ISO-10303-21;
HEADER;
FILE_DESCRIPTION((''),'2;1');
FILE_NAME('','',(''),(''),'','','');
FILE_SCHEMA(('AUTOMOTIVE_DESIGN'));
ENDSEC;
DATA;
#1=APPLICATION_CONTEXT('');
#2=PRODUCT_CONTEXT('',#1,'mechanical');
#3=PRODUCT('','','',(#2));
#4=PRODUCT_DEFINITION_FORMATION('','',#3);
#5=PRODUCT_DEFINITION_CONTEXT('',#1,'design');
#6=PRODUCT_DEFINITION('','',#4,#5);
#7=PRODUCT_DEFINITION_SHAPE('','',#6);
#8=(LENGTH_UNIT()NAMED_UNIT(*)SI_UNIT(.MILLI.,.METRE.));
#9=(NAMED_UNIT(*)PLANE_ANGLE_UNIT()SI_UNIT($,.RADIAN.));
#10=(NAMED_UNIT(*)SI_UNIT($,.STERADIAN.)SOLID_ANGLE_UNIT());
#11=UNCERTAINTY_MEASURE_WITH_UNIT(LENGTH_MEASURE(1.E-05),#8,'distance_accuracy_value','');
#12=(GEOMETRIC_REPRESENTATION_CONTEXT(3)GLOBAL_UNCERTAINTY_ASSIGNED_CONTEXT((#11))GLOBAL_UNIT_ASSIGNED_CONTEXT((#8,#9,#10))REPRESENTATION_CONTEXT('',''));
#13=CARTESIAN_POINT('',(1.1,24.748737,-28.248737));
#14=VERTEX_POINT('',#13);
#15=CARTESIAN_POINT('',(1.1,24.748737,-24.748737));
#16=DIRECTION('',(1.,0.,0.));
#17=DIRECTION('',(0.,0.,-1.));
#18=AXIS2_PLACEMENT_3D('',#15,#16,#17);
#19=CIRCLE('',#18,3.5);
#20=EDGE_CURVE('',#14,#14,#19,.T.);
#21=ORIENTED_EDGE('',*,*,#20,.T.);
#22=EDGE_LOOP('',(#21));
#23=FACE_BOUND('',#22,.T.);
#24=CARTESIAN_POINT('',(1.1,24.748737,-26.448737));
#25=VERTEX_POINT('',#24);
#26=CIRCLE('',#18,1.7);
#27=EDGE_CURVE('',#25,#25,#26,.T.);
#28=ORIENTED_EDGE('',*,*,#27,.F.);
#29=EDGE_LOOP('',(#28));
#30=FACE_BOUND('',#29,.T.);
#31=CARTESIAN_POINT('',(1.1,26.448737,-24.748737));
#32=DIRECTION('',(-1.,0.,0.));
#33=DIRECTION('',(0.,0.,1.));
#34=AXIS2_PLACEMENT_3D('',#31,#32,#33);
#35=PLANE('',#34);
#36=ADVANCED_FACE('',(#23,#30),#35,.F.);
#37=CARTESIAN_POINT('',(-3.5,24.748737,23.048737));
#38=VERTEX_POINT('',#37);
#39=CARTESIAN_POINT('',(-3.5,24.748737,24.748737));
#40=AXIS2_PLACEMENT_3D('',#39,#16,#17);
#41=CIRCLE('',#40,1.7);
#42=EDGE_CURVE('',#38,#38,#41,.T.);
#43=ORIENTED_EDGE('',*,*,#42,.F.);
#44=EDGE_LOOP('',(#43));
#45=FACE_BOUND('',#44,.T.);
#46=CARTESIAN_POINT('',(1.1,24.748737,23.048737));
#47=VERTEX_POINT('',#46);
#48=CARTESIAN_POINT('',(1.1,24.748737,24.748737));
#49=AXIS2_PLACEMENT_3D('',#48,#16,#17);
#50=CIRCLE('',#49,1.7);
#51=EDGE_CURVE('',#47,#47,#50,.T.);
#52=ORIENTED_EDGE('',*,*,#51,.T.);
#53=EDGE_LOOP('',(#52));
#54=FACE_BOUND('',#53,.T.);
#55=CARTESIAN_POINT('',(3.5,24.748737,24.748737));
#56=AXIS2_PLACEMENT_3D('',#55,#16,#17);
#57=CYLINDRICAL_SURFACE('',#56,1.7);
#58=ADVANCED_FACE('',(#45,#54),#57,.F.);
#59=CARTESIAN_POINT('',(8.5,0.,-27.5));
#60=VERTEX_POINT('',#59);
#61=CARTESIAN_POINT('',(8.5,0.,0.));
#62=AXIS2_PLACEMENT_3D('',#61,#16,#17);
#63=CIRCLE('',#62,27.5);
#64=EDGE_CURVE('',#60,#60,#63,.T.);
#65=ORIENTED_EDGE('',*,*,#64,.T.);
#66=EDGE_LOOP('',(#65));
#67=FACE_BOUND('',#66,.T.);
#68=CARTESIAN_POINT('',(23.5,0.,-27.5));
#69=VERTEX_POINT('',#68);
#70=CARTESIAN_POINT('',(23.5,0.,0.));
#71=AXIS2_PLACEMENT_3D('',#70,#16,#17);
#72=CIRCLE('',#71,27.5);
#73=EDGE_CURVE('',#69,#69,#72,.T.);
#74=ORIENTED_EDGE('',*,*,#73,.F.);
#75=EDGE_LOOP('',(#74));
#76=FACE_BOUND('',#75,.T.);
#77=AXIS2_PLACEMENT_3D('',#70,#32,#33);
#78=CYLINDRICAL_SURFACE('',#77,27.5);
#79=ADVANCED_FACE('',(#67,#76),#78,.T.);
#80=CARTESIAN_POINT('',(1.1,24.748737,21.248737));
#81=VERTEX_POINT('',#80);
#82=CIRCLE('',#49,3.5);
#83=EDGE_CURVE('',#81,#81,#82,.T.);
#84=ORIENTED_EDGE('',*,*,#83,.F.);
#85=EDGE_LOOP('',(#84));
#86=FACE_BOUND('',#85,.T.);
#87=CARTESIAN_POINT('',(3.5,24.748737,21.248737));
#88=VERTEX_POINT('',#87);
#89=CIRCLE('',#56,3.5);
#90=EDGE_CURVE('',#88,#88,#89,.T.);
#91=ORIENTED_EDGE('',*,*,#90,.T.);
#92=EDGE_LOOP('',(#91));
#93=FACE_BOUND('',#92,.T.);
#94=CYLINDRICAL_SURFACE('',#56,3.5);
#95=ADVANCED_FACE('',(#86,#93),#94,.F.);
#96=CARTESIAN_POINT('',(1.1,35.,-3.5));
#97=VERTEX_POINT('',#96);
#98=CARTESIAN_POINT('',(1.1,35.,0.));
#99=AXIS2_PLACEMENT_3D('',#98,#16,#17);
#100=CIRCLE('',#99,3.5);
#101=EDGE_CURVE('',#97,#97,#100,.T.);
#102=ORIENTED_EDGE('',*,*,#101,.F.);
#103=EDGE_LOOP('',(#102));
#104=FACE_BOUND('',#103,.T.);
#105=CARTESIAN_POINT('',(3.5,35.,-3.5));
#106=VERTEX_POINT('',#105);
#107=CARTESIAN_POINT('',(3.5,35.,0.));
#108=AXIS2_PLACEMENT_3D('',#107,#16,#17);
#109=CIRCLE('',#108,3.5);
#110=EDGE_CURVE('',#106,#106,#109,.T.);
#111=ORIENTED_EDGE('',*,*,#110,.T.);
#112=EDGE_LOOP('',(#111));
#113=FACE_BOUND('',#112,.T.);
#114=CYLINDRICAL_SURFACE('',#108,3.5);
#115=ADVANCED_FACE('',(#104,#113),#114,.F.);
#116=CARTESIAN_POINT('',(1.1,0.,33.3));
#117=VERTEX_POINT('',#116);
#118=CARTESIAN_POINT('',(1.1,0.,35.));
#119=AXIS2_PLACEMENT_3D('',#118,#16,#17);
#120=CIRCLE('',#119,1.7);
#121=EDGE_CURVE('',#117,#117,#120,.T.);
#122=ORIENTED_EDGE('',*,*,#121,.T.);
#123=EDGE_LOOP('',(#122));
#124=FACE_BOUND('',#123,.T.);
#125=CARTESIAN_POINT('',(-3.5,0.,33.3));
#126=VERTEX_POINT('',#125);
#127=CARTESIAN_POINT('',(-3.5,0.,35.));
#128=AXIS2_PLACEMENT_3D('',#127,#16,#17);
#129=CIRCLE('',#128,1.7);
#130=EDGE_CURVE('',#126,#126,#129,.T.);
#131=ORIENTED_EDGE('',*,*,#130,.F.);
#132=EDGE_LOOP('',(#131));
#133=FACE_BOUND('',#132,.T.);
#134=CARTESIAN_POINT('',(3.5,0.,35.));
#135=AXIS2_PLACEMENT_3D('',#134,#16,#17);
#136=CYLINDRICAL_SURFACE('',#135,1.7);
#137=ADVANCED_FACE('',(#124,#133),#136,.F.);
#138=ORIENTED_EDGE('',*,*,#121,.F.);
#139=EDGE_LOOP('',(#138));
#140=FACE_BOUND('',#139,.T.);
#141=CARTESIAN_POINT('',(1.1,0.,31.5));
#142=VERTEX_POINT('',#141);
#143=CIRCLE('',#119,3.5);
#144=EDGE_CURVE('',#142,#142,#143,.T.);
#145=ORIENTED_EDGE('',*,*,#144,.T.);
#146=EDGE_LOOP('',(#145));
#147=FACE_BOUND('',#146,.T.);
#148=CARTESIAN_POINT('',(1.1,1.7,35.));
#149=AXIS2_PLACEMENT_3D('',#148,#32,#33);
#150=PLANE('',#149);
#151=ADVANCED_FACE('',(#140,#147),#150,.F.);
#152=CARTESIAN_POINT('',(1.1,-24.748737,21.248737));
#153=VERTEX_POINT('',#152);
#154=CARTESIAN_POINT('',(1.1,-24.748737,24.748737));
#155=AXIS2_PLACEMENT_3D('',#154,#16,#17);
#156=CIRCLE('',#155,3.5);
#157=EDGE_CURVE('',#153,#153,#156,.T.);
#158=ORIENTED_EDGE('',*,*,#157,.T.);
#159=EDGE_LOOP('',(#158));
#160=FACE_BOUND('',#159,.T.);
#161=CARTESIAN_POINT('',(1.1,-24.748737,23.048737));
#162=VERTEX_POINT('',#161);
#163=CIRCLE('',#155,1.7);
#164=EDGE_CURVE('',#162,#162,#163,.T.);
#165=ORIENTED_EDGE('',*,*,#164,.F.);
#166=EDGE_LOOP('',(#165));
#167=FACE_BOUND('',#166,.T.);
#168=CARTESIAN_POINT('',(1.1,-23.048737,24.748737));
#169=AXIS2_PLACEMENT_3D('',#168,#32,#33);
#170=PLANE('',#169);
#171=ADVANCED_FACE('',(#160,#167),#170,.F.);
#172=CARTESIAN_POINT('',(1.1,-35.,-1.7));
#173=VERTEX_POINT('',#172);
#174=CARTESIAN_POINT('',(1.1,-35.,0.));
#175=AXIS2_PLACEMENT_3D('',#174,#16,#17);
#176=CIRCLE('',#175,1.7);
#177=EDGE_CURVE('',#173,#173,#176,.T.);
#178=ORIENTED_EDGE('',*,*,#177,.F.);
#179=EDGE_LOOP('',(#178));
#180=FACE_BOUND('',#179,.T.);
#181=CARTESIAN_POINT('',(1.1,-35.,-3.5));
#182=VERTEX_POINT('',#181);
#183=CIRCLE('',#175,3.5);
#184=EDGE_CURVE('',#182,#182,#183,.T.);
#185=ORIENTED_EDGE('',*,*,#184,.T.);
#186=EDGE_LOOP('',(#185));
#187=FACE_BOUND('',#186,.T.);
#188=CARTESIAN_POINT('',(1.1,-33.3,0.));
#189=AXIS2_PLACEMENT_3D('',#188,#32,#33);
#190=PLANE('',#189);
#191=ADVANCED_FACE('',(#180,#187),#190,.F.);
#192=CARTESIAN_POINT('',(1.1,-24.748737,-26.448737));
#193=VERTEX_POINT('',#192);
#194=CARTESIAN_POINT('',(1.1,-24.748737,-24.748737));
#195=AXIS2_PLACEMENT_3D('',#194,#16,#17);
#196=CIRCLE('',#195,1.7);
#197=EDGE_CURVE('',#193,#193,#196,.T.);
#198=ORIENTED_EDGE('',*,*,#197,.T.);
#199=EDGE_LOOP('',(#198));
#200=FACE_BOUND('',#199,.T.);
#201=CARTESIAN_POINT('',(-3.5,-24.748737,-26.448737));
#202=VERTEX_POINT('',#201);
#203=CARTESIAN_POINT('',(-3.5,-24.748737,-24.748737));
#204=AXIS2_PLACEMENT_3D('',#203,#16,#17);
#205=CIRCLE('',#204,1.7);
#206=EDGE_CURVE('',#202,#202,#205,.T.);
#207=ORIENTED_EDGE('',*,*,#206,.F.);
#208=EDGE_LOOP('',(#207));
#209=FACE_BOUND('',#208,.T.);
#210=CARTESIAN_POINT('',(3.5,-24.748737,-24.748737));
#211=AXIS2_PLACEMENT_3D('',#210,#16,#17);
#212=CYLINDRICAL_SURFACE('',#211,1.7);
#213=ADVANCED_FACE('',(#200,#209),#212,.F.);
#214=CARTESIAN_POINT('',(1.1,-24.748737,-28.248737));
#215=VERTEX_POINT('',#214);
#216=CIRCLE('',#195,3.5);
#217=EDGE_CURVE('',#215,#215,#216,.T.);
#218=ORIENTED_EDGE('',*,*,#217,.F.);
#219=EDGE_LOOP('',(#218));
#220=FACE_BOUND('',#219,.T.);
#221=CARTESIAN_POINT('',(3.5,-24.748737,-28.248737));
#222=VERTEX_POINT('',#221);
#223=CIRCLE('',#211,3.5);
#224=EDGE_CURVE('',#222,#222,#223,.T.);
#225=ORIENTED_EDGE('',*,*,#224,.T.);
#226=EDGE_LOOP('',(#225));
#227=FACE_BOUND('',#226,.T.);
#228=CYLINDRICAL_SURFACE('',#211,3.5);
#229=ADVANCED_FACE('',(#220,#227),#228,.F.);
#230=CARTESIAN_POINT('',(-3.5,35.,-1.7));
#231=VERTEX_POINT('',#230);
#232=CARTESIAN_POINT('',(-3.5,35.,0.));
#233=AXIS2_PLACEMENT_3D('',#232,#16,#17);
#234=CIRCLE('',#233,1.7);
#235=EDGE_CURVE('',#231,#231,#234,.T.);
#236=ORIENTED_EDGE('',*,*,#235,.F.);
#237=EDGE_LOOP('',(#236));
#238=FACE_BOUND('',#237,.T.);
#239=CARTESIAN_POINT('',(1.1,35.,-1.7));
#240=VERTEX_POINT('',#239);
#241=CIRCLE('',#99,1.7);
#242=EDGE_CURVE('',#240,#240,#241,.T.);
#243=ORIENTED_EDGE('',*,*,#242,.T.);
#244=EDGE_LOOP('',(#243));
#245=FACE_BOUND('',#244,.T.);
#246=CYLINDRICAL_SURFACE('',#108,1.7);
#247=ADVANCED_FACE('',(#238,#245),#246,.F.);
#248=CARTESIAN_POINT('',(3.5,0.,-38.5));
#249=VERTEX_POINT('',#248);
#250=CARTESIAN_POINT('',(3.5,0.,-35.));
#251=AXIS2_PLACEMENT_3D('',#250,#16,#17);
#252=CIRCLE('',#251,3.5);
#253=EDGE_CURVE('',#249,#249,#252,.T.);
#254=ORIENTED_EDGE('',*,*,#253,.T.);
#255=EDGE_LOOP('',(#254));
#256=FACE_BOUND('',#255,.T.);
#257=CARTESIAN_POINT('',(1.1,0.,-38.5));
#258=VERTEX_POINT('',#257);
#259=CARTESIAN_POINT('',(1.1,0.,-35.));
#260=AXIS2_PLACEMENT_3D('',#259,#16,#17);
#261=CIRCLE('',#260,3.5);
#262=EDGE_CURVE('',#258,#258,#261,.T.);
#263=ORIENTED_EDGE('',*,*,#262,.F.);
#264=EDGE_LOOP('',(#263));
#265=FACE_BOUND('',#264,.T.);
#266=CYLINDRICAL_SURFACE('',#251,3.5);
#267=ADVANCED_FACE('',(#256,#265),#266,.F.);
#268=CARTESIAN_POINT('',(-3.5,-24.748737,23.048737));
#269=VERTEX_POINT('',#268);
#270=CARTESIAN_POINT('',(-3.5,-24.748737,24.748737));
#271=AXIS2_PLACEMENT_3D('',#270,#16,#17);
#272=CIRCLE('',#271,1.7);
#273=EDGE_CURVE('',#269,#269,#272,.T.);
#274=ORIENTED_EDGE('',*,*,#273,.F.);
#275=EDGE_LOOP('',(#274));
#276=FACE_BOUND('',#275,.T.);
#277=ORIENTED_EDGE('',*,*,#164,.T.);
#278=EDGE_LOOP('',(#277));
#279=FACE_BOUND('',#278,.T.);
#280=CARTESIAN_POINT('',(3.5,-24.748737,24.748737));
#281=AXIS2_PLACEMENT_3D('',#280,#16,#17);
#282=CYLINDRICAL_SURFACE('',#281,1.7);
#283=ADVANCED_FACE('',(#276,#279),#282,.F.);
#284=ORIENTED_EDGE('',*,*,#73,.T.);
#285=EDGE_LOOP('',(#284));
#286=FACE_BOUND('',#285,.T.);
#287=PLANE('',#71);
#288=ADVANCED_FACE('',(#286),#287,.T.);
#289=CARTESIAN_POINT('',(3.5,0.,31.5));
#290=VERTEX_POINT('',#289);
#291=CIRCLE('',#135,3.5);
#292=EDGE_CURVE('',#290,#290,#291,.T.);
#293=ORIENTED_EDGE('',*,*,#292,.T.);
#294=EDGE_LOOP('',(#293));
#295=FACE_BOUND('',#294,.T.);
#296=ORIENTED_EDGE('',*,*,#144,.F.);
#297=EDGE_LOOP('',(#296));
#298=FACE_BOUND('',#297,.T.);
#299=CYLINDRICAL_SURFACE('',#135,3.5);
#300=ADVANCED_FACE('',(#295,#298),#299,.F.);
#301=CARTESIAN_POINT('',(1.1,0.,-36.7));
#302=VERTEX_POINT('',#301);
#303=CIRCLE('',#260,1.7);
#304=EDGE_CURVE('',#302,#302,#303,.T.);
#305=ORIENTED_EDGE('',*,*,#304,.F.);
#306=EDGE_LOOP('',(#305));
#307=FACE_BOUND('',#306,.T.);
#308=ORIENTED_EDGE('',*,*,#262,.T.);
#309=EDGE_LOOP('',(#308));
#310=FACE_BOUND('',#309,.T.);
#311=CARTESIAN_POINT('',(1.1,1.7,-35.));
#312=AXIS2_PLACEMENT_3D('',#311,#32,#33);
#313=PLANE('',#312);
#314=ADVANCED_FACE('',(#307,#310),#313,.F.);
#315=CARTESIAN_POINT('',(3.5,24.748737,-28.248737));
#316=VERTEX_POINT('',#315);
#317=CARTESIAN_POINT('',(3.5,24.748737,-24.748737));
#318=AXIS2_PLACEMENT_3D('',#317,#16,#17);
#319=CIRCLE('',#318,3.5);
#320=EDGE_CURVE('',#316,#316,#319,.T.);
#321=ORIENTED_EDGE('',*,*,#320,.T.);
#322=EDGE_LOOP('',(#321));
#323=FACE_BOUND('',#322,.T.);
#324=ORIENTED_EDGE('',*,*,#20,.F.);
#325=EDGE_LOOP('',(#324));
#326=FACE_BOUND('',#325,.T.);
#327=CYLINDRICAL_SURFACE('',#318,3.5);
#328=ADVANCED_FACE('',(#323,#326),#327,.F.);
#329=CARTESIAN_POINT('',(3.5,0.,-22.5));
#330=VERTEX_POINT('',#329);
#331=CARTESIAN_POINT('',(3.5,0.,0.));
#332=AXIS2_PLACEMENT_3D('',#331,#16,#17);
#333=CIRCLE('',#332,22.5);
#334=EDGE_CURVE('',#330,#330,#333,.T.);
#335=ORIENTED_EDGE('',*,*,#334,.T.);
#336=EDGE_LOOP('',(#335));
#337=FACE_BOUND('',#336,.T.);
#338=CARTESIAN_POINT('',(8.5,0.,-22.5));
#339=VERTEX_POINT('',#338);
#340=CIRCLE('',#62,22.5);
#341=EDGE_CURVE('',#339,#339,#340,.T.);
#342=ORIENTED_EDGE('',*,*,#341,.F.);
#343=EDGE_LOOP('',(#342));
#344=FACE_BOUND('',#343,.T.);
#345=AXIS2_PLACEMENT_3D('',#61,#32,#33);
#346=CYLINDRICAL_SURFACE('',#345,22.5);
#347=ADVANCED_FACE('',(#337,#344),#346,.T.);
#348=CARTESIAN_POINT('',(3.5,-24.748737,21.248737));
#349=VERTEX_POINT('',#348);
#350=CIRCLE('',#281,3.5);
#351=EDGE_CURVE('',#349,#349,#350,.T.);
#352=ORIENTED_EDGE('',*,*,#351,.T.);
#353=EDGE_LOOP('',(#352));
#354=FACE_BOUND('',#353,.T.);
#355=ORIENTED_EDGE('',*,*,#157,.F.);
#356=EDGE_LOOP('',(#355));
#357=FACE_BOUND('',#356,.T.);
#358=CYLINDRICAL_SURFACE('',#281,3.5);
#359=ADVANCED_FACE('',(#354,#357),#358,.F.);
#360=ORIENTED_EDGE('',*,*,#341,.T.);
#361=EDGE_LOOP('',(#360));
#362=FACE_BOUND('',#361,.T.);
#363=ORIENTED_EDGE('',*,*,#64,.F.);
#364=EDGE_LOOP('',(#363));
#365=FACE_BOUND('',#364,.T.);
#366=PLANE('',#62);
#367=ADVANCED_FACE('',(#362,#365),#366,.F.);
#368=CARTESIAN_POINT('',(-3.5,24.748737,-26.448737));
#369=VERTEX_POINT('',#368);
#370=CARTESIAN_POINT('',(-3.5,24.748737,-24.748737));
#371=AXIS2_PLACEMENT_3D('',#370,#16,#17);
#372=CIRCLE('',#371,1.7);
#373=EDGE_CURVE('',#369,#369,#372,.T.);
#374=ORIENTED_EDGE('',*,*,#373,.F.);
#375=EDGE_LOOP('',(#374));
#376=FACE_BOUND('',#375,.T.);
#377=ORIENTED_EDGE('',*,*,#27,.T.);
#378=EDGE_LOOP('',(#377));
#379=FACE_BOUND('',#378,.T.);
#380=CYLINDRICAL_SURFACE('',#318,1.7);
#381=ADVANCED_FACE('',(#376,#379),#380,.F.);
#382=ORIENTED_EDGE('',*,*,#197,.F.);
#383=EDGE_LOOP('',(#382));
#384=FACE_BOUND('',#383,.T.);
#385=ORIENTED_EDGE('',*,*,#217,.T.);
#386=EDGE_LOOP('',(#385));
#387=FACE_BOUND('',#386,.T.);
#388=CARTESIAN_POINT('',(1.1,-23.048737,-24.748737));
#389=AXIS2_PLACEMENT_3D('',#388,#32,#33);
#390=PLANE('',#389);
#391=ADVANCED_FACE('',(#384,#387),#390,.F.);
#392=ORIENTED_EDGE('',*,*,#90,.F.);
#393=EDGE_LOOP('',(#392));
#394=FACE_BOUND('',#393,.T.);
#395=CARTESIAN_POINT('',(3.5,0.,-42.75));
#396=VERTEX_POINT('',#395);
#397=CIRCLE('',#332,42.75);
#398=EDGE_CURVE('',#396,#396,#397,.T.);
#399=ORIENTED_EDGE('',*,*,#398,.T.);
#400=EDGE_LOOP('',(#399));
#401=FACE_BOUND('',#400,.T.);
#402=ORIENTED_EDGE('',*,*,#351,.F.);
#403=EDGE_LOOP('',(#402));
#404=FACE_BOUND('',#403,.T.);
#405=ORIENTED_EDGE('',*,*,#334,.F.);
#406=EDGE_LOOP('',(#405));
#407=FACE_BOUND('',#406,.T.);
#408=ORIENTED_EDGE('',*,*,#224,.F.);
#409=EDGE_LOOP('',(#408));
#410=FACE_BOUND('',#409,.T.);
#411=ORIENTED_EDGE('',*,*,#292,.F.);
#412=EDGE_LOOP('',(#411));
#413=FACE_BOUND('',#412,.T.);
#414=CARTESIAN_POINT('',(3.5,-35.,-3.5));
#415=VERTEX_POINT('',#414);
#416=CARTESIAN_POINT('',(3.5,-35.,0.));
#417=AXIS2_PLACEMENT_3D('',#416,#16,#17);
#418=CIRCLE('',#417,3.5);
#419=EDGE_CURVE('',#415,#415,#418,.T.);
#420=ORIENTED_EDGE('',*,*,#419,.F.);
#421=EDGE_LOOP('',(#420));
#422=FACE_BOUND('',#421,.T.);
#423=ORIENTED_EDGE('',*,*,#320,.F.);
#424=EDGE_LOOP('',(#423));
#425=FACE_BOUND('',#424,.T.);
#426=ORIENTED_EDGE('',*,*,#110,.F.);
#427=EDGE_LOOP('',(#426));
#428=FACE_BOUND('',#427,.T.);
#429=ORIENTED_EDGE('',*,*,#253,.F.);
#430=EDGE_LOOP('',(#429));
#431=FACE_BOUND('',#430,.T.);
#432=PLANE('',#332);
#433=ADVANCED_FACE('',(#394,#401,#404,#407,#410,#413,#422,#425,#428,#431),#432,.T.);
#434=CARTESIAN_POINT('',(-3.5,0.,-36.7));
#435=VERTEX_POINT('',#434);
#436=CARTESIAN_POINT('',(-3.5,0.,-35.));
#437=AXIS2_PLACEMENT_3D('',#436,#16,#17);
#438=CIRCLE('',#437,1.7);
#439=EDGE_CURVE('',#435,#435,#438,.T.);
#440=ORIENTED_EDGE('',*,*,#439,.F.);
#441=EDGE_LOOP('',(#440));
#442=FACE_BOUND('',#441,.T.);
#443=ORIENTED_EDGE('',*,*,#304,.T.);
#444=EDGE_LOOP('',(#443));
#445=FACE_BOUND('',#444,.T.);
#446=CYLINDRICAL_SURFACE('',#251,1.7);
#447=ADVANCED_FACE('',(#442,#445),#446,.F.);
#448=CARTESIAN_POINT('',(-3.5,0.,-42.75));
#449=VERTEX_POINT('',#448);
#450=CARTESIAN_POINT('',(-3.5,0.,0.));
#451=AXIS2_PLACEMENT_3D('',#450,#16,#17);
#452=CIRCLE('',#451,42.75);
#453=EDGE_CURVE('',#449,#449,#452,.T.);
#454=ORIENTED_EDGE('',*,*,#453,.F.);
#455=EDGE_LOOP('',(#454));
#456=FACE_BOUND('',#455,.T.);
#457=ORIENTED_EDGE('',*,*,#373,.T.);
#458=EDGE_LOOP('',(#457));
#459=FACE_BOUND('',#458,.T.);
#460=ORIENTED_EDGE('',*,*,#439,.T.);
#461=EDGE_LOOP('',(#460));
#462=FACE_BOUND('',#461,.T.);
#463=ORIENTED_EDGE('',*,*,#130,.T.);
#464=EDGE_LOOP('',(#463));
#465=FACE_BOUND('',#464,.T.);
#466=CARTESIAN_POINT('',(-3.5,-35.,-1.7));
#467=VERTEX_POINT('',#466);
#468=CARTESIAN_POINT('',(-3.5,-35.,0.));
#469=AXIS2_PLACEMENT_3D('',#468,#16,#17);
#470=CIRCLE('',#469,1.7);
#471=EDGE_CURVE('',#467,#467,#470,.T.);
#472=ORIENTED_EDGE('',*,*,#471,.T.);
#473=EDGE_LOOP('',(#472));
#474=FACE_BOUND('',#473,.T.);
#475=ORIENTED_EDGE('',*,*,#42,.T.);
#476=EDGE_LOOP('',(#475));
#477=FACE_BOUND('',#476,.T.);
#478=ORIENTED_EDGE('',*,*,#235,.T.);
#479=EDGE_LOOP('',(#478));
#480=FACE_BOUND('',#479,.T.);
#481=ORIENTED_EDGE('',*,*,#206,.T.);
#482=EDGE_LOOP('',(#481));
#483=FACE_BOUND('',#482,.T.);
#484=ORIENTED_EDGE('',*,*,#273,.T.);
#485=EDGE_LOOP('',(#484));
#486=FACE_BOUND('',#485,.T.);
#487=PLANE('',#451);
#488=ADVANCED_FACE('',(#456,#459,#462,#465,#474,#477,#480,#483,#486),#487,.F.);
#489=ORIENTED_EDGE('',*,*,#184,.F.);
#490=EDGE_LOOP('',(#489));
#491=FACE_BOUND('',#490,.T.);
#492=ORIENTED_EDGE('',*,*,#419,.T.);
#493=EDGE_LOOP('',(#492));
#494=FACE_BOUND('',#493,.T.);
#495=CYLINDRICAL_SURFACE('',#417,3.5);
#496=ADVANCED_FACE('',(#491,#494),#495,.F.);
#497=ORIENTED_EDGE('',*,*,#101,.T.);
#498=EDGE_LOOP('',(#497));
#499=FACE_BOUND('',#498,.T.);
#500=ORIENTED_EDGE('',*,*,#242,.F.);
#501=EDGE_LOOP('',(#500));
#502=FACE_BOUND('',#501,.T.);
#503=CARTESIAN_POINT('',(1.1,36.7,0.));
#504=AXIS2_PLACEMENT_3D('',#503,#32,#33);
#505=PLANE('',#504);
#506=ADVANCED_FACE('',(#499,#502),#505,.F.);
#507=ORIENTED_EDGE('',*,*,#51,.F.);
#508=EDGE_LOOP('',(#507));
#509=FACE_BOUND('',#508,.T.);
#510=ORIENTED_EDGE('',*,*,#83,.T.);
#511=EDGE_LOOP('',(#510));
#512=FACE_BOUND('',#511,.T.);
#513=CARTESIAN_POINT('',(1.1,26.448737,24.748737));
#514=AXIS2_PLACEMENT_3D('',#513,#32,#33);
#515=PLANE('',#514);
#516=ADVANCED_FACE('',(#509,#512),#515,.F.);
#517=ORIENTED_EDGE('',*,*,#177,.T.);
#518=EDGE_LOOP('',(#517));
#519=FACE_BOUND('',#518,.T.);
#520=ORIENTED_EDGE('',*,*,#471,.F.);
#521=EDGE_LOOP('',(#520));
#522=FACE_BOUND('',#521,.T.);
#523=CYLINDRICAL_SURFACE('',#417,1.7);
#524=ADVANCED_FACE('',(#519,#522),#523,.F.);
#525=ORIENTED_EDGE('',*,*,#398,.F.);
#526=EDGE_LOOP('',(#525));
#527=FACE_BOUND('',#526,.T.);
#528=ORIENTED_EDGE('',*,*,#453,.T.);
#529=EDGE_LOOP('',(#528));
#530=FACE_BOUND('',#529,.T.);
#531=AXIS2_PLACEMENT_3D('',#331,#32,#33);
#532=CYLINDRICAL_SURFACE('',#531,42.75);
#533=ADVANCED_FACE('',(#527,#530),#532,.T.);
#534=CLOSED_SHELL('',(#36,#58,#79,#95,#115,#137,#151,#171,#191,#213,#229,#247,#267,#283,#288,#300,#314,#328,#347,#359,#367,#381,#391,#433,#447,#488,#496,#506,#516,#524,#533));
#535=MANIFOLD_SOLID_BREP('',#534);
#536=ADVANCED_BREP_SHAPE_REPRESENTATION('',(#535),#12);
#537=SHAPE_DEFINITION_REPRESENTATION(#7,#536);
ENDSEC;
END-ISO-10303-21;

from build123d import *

# Parameters (mm, degrees)
CROQUIS1_R                                           = 42.75
SALIENTE_EXTRUIR1_DEPTH                              = 3.5
REFRENTADO_PARA_TORNILLO_CON_CABEZA_TRON_D           = 3.4
REFRENTADO_PARA_TORNILLO_CON_CABEZA_TRON_DEPTH       = 20
REFRENTADO_PARA_TORNILLO_CON_CABEZA_TRON_CBORE_D     = 7
REFRENTADO_PARA_TORNILLO_CON_CABEZA_TRON_CBORE_DEPTH = 2.4
REFRENTADO_PARA_TORNILLO_CON_CABEZA_TRON_TIP         = 1.021463052
CROQUIS4_R                                           = 22.5
SALIENTE_EXTRUIR2_DEPTH                              = 5
CROQUIS5_R                                           = 27.5
SALIENTE_EXTRUIR3_DEPTH                              = 15


with BuildPart() as part:
    # Croquis1 → Saliente-Extruir1 (new, symmetric)
    with BuildSketch(Plane(origin=(0, 0, 0), x_dir=(0, 0, -1), z_dir=(1, 0, 0))):
        Circle(CROQUIS1_R)
    extrude(amount=SALIENTE_EXTRUIR1_DEPTH, both=True)

    # Refrentado para tornillo con cabeza troncocónica de M31
    with Locations(Plane(origin=(3.5, 0, 0), x_dir=(0, 0, -1), z_dir=(1, 0, 0))):
        with Locations((0, 35), (24.748737342, 24.748737342), (35, 0), (24.748737342, -24.748737342), (0, -35), (-24.748737342, -24.748737342), (-35, 0), (-24.748737342, 24.748737342)):
            CounterBoreHole(REFRENTADO_PARA_TORNILLO_CON_CABEZA_TRON_D / 2, REFRENTADO_PARA_TORNILLO_CON_CABEZA_TRON_CBORE_D / 2, REFRENTADO_PARA_TORNILLO_CON_CABEZA_TRON_CBORE_DEPTH, depth=REFRENTADO_PARA_TORNILLO_CON_CABEZA_TRON_DEPTH)
            with Locations((0, 0, -(REFRENTADO_PARA_TORNILLO_CON_CABEZA_TRON_DEPTH + REFRENTADO_PARA_TORNILLO_CON_CABEZA_TRON_TIP / 2))):  # 118° drill point
                Cone(0, REFRENTADO_PARA_TORNILLO_CON_CABEZA_TRON_D / 2, REFRENTADO_PARA_TORNILLO_CON_CABEZA_TRON_TIP, mode=Mode.SUBTRACT)

    # Croquis4 → Saliente-Extruir2 (add)
    with BuildSketch(Plane(origin=(3.5, 0, 0), x_dir=(0, 0, -1), z_dir=(1, 0, 0))):
        Circle(CROQUIS4_R)
    extrude(amount=SALIENTE_EXTRUIR2_DEPTH)

    # Croquis5 → Saliente-Extruir3 (add)
    with BuildSketch(Plane(origin=(8.5, 0, 0), x_dir=(0, 0, -1), z_dir=(1, 0, 0))):
        Circle(CROQUIS5_R)
    extrude(amount=SALIENTE_EXTRUIR3_DEPTH)


solid = part.part
